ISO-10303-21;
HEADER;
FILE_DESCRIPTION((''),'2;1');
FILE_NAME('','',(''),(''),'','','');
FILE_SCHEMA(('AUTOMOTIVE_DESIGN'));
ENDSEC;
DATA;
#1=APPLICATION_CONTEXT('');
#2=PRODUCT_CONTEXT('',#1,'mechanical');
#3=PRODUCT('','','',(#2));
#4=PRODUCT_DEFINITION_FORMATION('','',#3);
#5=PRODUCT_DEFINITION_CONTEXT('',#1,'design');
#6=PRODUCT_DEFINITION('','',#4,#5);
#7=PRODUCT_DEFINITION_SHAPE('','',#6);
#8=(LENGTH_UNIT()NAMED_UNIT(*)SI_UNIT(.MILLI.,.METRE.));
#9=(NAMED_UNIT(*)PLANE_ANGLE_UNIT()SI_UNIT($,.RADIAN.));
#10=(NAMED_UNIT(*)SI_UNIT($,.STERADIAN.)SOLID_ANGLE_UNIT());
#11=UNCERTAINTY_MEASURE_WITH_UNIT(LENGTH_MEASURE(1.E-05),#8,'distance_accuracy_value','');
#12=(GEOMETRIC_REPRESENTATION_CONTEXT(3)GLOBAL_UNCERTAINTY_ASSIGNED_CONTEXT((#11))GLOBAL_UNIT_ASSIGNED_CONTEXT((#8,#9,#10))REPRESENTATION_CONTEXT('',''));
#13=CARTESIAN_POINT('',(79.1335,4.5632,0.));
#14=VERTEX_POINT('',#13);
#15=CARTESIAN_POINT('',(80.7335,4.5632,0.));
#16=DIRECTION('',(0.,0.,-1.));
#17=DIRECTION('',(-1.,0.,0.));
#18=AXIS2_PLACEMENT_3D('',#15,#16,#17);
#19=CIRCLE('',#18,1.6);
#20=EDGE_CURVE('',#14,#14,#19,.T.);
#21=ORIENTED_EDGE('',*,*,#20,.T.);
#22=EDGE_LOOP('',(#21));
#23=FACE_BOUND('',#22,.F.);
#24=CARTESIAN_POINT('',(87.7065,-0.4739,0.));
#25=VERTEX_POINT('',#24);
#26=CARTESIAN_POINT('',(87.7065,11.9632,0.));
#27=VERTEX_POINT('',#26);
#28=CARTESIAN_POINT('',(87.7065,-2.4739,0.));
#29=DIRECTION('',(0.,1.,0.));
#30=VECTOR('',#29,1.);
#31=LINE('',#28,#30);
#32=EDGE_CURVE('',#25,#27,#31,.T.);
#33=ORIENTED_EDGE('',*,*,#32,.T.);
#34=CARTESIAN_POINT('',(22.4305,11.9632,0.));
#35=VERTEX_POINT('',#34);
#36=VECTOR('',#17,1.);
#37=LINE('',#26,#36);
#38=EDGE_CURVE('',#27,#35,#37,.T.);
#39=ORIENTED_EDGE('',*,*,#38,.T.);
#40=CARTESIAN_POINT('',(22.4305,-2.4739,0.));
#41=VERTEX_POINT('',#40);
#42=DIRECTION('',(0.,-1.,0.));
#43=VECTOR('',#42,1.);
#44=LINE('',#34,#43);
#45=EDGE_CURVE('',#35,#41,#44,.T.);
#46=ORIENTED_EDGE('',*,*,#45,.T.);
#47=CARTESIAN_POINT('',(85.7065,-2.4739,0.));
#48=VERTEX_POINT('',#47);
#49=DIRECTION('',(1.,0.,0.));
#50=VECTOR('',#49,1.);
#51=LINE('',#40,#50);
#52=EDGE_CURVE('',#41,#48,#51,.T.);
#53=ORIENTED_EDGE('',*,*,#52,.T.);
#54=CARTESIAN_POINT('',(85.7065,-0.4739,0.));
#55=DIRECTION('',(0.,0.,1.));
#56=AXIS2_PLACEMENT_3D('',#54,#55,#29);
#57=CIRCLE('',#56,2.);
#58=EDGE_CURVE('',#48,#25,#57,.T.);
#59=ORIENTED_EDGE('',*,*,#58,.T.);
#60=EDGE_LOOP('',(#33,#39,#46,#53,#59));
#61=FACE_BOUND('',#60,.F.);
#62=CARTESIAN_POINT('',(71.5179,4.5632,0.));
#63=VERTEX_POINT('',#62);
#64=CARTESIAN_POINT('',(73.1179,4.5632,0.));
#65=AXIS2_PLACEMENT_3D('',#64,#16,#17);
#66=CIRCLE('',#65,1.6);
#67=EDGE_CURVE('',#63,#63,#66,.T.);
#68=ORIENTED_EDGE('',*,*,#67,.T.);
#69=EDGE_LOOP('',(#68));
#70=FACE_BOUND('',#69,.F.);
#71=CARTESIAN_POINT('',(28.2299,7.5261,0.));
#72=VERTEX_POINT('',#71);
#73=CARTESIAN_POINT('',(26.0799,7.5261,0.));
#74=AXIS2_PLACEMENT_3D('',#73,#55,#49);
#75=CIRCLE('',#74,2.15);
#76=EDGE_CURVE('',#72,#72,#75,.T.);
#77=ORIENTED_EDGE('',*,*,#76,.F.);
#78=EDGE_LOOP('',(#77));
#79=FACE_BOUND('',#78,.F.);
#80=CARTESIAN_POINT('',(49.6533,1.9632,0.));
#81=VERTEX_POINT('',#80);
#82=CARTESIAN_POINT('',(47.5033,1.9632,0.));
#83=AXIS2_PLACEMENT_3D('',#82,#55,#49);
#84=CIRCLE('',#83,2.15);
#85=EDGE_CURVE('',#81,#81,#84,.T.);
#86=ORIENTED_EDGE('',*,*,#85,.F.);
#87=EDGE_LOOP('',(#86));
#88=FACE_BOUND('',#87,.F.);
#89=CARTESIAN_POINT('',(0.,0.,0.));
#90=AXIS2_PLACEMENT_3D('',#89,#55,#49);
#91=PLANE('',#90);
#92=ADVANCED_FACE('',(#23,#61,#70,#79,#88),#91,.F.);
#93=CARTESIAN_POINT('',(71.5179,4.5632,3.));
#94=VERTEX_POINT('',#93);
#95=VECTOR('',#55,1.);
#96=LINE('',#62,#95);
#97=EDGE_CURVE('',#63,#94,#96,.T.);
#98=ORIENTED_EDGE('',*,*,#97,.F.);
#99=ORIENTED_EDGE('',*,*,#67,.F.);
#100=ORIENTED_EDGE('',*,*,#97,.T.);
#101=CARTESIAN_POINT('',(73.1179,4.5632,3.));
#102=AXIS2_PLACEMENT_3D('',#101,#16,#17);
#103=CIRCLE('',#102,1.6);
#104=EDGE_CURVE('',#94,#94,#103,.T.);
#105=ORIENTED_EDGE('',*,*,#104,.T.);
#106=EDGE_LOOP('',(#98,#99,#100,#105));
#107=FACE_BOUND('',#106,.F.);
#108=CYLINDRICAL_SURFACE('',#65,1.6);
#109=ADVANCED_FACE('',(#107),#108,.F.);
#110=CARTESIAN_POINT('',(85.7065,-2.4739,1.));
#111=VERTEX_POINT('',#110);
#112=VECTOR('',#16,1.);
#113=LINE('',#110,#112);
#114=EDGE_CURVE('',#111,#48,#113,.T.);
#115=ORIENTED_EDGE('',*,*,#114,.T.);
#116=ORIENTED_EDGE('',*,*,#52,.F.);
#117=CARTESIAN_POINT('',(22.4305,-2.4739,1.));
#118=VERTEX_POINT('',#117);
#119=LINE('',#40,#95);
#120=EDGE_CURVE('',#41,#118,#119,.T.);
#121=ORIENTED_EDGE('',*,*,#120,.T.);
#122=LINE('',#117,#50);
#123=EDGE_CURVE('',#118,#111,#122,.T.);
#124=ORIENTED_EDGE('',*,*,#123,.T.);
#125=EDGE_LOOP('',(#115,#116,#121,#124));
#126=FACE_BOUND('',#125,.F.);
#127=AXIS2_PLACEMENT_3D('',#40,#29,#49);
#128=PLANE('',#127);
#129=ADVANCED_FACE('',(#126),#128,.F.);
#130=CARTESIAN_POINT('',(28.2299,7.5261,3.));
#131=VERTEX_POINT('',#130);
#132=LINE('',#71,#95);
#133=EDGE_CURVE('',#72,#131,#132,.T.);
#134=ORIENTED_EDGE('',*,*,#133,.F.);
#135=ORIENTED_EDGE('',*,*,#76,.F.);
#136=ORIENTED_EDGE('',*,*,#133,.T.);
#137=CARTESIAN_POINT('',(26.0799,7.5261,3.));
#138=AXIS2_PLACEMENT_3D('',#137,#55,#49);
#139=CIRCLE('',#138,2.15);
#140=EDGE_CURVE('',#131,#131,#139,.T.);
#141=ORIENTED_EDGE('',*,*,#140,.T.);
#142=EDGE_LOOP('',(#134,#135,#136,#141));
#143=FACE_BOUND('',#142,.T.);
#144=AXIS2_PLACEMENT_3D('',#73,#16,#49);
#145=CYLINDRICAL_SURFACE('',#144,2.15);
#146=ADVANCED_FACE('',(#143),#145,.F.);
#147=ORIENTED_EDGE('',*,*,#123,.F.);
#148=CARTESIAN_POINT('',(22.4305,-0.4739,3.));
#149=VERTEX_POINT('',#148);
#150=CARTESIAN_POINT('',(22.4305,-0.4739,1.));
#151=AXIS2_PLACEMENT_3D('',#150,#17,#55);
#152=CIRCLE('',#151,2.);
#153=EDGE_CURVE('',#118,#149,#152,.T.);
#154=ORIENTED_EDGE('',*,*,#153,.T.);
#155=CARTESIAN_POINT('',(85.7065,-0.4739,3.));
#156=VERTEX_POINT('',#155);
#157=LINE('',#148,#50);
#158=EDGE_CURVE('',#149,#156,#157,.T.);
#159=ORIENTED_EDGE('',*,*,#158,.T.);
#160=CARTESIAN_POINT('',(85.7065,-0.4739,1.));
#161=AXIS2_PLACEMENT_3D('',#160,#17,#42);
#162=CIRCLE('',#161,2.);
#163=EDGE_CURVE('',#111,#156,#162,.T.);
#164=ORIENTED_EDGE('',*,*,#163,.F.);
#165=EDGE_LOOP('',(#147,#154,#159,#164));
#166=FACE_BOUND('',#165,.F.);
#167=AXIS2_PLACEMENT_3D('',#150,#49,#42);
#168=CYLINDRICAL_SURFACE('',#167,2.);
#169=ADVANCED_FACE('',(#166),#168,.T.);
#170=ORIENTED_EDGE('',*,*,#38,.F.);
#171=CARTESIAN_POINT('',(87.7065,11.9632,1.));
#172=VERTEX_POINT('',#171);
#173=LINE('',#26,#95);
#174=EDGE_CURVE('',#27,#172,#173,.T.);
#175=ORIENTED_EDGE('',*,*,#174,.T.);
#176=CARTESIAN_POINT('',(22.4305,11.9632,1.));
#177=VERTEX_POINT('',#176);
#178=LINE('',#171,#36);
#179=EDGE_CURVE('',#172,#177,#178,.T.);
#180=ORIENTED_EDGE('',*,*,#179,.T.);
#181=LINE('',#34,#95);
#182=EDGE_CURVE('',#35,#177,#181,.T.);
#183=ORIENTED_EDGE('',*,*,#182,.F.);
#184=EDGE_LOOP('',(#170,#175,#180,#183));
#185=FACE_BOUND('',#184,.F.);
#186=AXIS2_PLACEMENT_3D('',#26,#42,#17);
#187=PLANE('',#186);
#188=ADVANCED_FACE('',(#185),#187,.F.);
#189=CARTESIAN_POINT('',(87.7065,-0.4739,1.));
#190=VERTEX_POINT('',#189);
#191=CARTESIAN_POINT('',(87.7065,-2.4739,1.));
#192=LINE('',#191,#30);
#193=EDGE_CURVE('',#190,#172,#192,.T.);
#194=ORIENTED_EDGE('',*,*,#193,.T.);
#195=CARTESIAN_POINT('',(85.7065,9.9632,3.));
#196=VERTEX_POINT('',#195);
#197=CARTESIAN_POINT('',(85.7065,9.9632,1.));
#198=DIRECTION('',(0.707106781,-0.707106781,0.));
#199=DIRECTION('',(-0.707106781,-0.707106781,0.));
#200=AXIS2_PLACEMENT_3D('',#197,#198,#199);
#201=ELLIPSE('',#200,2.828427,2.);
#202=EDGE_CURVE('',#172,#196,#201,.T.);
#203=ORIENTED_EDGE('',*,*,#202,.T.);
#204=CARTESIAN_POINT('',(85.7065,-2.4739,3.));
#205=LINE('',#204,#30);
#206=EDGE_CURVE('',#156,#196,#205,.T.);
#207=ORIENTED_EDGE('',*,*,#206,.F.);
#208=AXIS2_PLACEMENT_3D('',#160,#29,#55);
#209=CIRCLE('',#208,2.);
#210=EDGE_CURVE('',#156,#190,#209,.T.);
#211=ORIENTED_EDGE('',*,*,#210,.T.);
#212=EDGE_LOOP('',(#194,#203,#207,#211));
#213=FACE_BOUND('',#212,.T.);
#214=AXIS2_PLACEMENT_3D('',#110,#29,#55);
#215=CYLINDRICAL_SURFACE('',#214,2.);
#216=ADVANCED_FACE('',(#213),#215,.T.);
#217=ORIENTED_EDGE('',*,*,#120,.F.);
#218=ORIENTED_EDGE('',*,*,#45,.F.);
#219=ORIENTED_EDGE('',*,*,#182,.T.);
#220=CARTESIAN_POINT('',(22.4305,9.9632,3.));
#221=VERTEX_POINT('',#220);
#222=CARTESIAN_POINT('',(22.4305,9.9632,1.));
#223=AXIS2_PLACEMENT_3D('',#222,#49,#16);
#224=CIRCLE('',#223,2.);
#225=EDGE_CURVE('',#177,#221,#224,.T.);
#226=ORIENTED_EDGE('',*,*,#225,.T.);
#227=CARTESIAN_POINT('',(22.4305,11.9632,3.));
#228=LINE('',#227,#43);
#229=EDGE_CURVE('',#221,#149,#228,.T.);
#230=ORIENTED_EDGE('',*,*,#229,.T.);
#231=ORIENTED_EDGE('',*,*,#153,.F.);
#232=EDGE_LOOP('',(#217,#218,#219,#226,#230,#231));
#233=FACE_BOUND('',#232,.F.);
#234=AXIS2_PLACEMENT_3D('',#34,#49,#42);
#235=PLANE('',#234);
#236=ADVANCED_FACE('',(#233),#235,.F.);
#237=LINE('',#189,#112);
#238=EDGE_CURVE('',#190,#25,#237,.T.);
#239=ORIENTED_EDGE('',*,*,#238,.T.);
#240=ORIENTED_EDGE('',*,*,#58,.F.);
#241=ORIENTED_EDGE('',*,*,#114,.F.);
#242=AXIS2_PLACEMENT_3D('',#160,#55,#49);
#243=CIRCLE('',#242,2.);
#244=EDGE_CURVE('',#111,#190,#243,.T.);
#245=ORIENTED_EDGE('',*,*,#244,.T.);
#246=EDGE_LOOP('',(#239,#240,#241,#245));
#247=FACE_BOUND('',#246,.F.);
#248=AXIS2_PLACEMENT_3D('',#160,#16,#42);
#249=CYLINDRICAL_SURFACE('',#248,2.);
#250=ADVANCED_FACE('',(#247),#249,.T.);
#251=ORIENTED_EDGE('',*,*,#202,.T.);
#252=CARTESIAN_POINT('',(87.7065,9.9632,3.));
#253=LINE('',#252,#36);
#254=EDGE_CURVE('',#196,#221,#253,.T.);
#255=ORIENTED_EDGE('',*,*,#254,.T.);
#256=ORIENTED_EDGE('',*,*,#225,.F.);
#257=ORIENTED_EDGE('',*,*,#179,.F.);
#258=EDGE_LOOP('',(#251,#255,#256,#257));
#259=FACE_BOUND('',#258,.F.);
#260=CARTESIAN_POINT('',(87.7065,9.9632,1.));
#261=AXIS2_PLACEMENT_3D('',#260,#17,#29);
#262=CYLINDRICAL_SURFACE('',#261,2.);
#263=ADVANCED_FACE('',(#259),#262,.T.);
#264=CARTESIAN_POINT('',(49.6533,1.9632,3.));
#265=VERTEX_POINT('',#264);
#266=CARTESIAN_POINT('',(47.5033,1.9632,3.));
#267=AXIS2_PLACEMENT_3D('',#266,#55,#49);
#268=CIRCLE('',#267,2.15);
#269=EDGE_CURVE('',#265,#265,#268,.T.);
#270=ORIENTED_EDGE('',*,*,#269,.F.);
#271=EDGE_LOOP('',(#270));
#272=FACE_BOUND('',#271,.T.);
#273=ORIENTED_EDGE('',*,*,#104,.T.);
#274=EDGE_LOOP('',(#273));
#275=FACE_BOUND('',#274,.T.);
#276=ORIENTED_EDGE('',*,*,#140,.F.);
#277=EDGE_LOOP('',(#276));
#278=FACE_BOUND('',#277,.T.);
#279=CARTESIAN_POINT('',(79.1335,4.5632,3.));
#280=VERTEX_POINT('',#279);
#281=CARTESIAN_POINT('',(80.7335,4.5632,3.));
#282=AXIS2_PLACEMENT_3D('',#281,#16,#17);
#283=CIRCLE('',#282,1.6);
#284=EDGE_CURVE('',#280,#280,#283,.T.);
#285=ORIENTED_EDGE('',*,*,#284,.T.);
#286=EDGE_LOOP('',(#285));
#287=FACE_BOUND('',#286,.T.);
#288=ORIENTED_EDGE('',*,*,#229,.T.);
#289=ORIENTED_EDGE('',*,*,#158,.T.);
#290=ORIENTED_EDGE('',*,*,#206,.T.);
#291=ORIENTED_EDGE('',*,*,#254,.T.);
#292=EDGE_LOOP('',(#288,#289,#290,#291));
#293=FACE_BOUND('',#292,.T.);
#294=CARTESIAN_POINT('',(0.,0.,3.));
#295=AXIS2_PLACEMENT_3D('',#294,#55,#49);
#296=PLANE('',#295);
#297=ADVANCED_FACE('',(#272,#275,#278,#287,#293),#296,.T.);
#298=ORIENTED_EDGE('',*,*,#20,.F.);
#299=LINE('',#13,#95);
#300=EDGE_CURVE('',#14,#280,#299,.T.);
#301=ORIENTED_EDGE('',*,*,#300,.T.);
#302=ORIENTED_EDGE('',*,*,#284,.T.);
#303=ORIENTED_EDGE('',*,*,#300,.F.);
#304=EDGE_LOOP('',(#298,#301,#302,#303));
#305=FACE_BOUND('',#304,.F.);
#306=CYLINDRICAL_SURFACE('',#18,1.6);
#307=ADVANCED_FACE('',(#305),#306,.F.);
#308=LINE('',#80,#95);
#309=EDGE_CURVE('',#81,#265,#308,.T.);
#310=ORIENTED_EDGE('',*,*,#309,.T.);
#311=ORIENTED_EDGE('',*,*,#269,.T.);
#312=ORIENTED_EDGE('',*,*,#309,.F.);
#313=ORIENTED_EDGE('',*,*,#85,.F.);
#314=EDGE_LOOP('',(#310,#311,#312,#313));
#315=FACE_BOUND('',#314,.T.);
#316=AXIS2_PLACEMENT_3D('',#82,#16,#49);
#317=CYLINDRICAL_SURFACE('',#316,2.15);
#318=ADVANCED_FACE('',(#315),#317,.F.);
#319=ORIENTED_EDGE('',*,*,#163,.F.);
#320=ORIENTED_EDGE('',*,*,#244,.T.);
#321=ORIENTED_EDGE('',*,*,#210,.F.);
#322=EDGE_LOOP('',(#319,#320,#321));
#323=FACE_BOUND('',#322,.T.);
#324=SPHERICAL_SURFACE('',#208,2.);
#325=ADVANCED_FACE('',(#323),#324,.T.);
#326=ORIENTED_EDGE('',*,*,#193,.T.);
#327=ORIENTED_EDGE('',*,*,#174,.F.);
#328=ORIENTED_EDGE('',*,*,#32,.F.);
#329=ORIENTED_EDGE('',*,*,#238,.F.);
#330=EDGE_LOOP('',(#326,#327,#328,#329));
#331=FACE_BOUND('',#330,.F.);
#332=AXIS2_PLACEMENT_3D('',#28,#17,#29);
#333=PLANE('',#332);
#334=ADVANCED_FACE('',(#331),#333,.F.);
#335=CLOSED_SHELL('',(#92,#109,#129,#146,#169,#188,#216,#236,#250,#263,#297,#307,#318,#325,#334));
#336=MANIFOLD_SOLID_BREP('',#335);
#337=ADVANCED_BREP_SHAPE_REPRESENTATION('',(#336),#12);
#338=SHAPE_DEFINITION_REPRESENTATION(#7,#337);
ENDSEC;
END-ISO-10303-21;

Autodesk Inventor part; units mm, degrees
ref_plane "YZ Plane" through (0, 0, 0) normal (1, 0, 0) x (0, 1, 0)
ref_plane "XZ Plane" through (0, 0, 0) normal (0, 1, 0) x (-1, 0, 0)
ref_plane "XY Plane" through (0, 0, 0) normal (0, 0, 1) x (1, 0, 0)
sketch "Skizze1" plane through (0, 0, 0) normal (0, 0, 1) x (1, 0, 0)
  line L0 (-4.2593, -15) -> (-4.2593, 15) construction
  line L1 (-4.2593, -15) -> (4.6613, -15) construction
  arc A0 (71.1407, -18.3849) -> (4.6613, -15) centre (32.8959, -114.9901) ccw construction
  line L2 (71.1407, -12.6613) -> (71.1407, -18.3849) construction
  line L3 (72.2593, -12.6613) -> (71.1407, -12.6613) construction
  line L4 (72.2593, -19) -> (72.2593, -12.6613) construction
  line L5 (75.2593, -19) -> (72.2593, -19) construction
  line L6 (75.2593, -9.9704) -> (75.2593, -19) construction
  arc A1 (75.2593, -9.9704) -> (13.1677, 13.0021) centre (8.1722, -95.8991) ccw construction
  arc A2 (11.2593, 15) -> (13.1677, 13.0021) centre (13.2593, 15) ccw construction
  line L7 (11.2593, 15) -> (-4.2593, 15) construction
  arc A3 (7.8907, 11.0161) -> (3.5907, 11.0161) centre (5.7407, 11.0161) ccw construction
  line L8 (7.8907, 6.0161) -> (7.8907, 11.0161) construction
  arc A4 (3.5907, 6.0161) -> (7.8907, 6.0161) centre (5.7407, 6.0161) ccw construction
  line L9 (3.5907, 11.0161) -> (3.5907, 6.0161) construction
  line L10 (7.8907, -10.5786) -> (7.8907, -5.5786) construction
  arc A5 (3.5907, -10.5786) -> (7.8907, -10.5786) centre (5.7407, -10.5786) ccw construction
  line L11 (3.5907, -5.5786) -> (3.5907, -10.5786) construction
  arc A6 (7.8907, -5.5786) -> (3.5907, -5.5786) centre (5.7407, -5.5786) ccw construction
  arc A7 (77.2593, -11.57) -> (68.4849, -5.0872) centre (8.1722, -95.8991) ccw construction
  arc A8 (68.4849, -5.0872) -> (68.1407, -6.2089) centre (70.1407, -6.2089) ccw construction
  line L12 (68.1407, -19.3793) -> (68.1407, -6.2089) construction
  arc A9 (71.1407, -20.5393) -> (68.1407, -19.3793) centre (32.8959, -114.9901) ccw construction
  line L13 (71.1407, -13) -> (71.1407, -20.5393) construction
  line L14 (73.1277, -13) -> (71.1407, -13) construction
  line L15 (73.1277, -21) -> (73.1277, -13) construction
  line L16 (77.2593, -21) -> (73.1277, -21) construction
  line L17 (77.2593, -11.57) -> (77.2593, -21) construction
  arc A10 (67.1407, -2.4739) -> (65.1407, -4.4739) centre (67.1407, -4.4739) ccw construction
  line L18 (67.1407, -2.4739) -> (68.1407, -2.4739) construction
  line L19 (68.1407, -2.4739) -> (68.1407, -14.8476) construction
  line L20 (22.4305, -2.4739) -> (87.7065, -2.4739)
  line L21 (87.7065, -2.4739) -> (87.7065, 11.9632)
  line L22 (87.7065, 11.9632) -> (22.4305, 11.9632)
  line L23 (22.4305, 11.9632) -> (22.4305, -2.4739)
  line L24 (26.0799, -2.4739) -> (26.0799, 7.5261) construction
  line L25 (47.5033, 11.9632) -> (47.5033, 1.9632) construction
  circle A11 centre (26.0799, 7.5261) radius 2.15
  circle A12 centre (47.5033, 1.9632) radius 2.15
  point P0 (0, 0)
  dimension "d0" = 10
  dimension "d1" = 10
  dimension "d2" = 4.3
  dimension "d3" = 4.3
extrude "Extrusion1" add sketch "Skizze1" along normal blind 3
sketch "Skizze2" plane through (0, 0, 0) normal (0, 0, -1) x (-1, 0, 0)
  arc A0 (-72.5805, 2.9132) -> (-72.5805, 6.2132) centre (-72.5805, 4.5632) ccw construction
  arc A1 (-73.5805, 6.2132) -> (-73.5805, 2.9132) centre (-73.5805, 4.5632) ccw construction
  arc A2 (-80.2805, 2.9132) -> (-80.2805, 6.2132) centre (-80.2805, 4.5632) ccw construction
  arc A3 (-81.2805, 6.2132) -> (-81.2805, 2.9132) centre (-81.2805, 4.5632) ccw construction
  circle A4 centre (-73.1179, 4.5632) radius 1.6
  circle A5 centre (-80.7335, 4.5632) radius 1.6
  point P0 (0, 0)
  dimension "d6" = 3.2
  dimension "d7" = 3.2
extrude "Extrusion2" cut sketch "Skizze2" against normal through all
fillet "Rundung1" radius 2 2 edges at (55.0685, 11.9632, 3) (87.7065, 4.7446, 3)
fillet "Rundung2" radius 2 3 edges at (87.1208, -2.4739, 2.4142) (87.7065, -2.4739, 0.5) (54.0685, -2.4739, 3)
properties part number "Chain_drag"
